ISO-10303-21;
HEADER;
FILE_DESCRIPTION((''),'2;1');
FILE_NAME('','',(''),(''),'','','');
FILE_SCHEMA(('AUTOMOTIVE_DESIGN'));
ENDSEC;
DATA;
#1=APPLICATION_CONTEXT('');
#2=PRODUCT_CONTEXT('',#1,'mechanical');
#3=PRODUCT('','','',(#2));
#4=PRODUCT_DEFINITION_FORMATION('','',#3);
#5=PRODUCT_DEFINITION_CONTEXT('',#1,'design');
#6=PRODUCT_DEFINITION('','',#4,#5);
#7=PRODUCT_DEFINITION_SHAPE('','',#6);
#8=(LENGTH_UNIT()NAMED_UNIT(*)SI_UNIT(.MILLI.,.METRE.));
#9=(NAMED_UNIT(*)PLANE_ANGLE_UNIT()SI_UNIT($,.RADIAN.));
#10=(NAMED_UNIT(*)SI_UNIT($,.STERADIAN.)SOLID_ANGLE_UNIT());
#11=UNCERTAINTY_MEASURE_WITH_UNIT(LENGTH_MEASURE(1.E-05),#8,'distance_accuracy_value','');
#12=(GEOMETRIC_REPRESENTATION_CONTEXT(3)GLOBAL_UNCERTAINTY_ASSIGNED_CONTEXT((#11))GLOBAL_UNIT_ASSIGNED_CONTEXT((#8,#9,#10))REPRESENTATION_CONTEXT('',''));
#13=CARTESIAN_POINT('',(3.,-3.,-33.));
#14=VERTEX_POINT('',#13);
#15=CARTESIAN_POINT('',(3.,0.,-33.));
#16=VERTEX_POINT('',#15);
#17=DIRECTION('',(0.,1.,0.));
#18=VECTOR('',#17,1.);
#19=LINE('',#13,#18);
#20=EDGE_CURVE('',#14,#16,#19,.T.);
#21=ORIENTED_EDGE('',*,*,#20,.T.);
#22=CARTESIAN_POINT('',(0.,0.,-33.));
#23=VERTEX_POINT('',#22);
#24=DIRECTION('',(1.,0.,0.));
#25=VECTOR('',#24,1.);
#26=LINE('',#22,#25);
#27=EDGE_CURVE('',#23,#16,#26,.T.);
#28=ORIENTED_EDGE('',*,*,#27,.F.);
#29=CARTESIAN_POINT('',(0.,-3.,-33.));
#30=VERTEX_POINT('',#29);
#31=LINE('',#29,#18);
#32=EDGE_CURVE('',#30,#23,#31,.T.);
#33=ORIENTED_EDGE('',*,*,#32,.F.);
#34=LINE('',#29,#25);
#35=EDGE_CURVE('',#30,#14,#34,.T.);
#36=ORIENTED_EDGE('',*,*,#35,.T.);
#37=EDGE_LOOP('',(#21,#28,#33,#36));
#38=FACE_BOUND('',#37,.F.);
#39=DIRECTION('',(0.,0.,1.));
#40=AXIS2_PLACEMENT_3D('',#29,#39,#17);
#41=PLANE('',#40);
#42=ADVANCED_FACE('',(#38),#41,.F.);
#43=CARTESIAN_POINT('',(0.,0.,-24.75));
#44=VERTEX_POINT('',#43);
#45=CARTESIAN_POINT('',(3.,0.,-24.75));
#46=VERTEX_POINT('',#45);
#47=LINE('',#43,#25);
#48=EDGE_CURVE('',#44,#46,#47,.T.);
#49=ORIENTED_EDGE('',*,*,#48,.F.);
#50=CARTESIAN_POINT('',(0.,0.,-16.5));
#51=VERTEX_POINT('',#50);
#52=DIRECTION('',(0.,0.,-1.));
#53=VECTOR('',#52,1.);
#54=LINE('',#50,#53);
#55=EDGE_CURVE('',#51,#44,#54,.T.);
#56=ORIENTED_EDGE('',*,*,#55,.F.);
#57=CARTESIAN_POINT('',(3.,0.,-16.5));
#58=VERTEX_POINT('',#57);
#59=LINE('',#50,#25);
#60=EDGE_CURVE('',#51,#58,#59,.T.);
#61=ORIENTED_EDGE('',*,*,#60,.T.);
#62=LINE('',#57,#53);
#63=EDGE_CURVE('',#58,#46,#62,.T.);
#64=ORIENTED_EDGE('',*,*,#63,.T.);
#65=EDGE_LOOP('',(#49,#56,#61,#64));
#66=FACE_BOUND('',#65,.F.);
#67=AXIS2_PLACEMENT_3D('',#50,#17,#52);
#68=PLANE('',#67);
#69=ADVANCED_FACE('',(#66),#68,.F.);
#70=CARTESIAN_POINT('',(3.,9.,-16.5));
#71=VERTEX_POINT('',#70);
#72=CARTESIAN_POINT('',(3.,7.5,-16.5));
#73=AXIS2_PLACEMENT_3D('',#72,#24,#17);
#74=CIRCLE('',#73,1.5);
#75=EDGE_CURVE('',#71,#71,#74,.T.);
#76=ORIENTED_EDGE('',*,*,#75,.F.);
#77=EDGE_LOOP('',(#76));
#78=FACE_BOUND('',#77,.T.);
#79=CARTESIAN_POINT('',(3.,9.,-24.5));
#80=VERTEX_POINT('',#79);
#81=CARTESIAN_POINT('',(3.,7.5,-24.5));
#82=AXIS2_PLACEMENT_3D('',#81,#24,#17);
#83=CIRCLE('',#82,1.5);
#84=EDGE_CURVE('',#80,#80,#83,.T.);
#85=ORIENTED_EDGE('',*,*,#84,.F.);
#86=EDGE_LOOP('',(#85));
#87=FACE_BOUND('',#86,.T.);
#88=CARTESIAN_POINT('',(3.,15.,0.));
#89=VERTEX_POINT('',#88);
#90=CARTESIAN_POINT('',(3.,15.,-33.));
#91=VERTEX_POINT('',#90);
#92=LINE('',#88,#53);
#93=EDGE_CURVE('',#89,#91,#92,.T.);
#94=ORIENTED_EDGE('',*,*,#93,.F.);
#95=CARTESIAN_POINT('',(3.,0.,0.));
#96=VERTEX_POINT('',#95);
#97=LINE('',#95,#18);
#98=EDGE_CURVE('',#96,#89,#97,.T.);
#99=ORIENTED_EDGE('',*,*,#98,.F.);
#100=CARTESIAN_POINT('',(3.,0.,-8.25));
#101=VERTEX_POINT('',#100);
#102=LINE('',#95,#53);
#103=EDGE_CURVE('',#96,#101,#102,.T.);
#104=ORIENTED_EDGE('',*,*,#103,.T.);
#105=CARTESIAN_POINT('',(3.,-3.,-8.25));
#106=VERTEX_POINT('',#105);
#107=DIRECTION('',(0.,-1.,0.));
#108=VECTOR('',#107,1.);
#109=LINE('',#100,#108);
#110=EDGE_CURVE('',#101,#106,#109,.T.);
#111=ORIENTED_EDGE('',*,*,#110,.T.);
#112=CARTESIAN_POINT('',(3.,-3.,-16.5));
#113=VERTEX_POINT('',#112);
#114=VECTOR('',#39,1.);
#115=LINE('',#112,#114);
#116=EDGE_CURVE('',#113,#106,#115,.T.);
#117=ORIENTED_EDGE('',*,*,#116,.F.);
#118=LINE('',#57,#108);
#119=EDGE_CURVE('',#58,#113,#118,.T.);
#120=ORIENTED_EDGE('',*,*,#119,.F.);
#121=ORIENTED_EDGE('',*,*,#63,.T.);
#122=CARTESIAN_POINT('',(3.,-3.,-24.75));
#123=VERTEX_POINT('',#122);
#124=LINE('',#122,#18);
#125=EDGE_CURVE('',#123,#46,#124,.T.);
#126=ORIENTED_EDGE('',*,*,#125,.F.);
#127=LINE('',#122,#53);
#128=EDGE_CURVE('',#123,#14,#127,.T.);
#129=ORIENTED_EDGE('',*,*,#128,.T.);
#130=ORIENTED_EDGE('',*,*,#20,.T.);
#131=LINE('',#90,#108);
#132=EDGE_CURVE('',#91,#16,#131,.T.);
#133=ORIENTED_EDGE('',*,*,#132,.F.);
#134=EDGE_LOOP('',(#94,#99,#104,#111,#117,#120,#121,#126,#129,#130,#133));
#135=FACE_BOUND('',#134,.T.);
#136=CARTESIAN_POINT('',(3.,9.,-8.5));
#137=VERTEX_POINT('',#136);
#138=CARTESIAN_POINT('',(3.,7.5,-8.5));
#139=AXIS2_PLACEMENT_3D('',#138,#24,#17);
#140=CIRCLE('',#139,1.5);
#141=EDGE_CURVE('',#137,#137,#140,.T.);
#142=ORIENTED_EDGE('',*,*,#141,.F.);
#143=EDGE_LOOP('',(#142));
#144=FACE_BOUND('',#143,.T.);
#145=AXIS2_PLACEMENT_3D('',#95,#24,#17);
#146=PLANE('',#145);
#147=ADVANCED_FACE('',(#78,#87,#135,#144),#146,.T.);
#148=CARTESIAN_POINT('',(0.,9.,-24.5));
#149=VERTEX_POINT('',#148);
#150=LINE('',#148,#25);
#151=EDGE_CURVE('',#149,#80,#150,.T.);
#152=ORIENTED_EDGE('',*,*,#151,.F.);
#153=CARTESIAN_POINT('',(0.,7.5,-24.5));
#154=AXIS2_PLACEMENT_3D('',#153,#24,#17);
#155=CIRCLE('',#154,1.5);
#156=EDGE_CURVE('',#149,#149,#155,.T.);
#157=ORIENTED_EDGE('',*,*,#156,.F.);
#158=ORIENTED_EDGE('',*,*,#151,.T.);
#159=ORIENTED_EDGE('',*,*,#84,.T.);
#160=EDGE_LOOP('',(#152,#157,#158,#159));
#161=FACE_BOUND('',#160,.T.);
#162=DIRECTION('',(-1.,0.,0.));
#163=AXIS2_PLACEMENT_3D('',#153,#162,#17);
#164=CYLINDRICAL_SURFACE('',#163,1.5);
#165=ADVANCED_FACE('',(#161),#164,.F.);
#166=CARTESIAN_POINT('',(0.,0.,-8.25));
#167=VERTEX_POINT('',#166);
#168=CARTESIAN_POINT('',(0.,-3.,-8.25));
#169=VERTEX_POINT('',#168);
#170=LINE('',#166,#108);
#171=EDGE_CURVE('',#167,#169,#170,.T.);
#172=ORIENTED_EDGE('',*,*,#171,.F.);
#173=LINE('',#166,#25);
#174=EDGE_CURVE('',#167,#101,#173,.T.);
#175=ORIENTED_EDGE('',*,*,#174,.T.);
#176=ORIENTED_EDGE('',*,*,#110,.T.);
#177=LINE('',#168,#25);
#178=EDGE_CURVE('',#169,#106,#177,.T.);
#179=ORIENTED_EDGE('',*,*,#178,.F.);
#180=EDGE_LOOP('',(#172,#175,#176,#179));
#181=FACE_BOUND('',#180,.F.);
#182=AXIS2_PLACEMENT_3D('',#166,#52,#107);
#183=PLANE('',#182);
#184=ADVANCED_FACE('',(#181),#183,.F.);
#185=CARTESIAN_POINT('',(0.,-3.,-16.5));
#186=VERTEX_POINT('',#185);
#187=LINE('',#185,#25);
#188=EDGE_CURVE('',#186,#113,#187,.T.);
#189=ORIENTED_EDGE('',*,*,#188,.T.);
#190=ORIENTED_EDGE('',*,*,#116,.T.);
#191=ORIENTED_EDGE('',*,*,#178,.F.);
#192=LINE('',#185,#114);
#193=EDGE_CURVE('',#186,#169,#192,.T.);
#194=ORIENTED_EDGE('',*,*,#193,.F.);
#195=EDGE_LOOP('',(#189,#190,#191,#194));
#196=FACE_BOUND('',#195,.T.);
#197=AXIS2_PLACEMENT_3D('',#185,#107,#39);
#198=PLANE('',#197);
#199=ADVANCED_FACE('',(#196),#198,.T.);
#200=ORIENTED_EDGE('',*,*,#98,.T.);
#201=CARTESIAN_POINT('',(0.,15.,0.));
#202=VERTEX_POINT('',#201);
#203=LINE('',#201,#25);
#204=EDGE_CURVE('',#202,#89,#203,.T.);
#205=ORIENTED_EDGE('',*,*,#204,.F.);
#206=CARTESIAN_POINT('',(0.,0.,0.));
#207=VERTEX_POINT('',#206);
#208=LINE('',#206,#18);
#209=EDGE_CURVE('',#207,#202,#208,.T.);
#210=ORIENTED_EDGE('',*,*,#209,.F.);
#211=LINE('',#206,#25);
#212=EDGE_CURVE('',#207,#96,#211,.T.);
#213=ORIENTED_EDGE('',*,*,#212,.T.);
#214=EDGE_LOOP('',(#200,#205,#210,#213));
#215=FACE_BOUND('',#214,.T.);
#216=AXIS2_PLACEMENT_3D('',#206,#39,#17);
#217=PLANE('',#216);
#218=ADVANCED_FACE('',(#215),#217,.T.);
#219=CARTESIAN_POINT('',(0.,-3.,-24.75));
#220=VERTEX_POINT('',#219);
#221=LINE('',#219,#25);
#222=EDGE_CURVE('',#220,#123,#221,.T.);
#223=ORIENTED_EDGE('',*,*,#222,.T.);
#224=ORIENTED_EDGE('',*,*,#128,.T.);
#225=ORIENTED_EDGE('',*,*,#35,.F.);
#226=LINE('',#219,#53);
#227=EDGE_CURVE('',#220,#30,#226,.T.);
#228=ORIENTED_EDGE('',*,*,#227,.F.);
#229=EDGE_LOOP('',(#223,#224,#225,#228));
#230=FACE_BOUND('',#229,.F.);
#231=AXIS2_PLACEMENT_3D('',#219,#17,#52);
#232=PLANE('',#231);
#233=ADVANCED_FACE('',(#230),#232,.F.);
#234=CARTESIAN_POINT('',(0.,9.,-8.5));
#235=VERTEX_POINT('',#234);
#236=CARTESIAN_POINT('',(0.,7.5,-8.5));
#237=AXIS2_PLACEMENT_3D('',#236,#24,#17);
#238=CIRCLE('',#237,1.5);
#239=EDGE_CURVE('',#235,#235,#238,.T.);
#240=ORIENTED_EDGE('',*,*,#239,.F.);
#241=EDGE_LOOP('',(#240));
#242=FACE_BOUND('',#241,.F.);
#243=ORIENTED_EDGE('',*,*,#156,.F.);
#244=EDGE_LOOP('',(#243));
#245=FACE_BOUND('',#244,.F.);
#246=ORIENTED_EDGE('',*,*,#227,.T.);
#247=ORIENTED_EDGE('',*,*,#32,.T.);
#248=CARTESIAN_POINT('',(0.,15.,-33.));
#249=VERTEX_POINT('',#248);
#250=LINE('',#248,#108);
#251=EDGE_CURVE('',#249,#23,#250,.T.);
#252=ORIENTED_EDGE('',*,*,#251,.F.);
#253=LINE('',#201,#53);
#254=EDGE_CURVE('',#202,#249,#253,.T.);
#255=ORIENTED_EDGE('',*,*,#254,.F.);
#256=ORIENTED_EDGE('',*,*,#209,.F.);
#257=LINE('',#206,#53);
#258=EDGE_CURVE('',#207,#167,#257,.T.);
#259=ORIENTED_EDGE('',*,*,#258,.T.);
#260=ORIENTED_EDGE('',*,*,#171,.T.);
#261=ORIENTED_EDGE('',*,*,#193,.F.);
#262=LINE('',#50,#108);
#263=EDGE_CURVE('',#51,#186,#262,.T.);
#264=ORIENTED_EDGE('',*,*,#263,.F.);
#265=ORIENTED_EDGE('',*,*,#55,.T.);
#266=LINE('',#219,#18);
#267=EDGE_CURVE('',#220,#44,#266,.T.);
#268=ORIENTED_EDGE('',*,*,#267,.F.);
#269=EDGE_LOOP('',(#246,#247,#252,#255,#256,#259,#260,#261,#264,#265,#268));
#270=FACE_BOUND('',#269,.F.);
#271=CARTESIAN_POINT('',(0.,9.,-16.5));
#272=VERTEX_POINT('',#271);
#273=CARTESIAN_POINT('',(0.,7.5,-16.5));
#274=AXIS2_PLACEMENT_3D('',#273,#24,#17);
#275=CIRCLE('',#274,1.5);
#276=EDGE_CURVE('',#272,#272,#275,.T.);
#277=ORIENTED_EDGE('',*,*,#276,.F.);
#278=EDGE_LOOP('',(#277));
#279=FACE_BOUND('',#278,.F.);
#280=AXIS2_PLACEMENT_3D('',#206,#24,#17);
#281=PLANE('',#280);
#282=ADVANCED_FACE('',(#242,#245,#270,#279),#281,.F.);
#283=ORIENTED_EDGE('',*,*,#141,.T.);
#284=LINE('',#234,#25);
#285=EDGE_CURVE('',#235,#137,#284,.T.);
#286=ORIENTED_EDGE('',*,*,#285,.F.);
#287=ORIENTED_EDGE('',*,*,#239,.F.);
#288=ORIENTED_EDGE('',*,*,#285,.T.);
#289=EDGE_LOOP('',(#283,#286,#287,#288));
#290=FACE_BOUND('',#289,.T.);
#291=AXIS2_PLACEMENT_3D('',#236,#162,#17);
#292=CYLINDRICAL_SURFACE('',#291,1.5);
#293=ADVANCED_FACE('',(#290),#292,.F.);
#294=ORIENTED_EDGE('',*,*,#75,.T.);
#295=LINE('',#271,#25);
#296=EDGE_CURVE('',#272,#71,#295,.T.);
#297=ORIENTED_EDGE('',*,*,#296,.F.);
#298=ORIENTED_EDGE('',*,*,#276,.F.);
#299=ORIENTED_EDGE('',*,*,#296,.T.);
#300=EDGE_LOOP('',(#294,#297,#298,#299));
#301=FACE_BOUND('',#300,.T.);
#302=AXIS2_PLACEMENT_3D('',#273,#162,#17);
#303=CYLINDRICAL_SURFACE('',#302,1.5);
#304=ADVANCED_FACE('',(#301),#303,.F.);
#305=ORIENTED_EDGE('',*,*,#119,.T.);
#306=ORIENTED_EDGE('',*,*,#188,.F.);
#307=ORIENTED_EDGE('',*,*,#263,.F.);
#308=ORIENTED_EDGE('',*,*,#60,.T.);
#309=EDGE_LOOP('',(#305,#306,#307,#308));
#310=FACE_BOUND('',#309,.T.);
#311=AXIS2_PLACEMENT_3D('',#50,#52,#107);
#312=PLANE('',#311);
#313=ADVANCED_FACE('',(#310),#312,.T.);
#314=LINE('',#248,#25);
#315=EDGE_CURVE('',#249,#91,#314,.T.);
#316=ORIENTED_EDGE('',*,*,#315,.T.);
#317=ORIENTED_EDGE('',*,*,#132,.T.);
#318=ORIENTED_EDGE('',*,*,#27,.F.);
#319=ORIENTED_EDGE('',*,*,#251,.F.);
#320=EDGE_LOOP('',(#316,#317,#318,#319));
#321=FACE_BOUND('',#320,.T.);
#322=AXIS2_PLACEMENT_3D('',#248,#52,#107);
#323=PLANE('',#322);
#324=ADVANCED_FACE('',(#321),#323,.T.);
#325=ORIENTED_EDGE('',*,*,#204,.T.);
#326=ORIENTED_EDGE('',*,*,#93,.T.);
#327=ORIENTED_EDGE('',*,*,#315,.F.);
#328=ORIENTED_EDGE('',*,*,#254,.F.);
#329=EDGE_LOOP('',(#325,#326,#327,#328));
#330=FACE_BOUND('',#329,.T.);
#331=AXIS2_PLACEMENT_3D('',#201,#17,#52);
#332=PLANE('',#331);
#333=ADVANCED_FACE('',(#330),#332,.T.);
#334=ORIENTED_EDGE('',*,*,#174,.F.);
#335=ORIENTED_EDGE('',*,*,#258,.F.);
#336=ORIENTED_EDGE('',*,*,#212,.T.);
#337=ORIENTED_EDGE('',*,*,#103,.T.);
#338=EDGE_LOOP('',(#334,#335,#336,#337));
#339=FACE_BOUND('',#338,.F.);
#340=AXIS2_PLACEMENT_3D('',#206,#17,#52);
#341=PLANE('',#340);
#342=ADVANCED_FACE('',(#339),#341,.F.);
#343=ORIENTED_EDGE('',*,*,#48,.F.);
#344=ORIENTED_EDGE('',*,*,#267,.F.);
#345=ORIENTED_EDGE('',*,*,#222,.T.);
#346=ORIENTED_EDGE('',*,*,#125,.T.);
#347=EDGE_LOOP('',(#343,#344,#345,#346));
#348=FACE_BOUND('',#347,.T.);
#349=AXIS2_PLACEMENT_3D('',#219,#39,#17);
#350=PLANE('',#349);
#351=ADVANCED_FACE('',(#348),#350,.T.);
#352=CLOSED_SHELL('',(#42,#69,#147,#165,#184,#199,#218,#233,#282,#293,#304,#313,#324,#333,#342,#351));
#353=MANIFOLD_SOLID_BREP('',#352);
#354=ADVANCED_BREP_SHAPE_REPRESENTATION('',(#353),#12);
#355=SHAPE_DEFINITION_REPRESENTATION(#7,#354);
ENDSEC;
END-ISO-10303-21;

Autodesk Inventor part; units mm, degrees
ref_plane "YZ Plane" through (0, 0, 0) normal (1, 0, 0) x (0, 1, 0)
ref_plane "XZ Plane" through (0, 0, 0) normal (0, 1, 0) x (-1, 0, 0)
ref_plane "XY Plane" through (0, 0, 0) normal (0, 0, 1) x (1, 0, 0)
sketch "Boceto1" plane through (0, 0, 0) normal (1, 0, 0) x (0, 1, 0)
  line L0 (0, 0) -> (15, 0)
  line L1 (15, 0) -> (15, -33)
  line L2 (15, -33) -> (0, -33)
  circle A0 centre (7.5, -8.5) radius 1.5
  circle A1 centre (7.5, -24.5) radius 1.5
  circle A2 centre (7.5, -16.5) radius 1.5
  line L3 (0, -16.5) -> (-3, -16.5)
  line L4 (-3, -16.5) -> (-3, -8.25)
  line L5 (-3, -24.75) -> (-3, -33)
  line L6 (-3, -33) -> (0, -33)
  line L7 (0, -8.25) -> (-3, -8.25)
  line L8 (-3, -24.75) -> (0, -24.75)
  line L9 (0, 0) -> (0, -8.25)
  line L10 (0, -16.5) -> (0, -24.75)
  dimension "d0" = 33
  dimension "d4" = 3
  dimension "d5" = 3
  dimension "d6" = 3
  dimension "d8" = 8.25
  dimension "d9" = 8.25
  dimension "d10" = 8.25
  dimension "d11" = 8.25
extrude "Extrusión1" add sketch "Boceto1" along normal blind 3
properties part number "muñeca6"
